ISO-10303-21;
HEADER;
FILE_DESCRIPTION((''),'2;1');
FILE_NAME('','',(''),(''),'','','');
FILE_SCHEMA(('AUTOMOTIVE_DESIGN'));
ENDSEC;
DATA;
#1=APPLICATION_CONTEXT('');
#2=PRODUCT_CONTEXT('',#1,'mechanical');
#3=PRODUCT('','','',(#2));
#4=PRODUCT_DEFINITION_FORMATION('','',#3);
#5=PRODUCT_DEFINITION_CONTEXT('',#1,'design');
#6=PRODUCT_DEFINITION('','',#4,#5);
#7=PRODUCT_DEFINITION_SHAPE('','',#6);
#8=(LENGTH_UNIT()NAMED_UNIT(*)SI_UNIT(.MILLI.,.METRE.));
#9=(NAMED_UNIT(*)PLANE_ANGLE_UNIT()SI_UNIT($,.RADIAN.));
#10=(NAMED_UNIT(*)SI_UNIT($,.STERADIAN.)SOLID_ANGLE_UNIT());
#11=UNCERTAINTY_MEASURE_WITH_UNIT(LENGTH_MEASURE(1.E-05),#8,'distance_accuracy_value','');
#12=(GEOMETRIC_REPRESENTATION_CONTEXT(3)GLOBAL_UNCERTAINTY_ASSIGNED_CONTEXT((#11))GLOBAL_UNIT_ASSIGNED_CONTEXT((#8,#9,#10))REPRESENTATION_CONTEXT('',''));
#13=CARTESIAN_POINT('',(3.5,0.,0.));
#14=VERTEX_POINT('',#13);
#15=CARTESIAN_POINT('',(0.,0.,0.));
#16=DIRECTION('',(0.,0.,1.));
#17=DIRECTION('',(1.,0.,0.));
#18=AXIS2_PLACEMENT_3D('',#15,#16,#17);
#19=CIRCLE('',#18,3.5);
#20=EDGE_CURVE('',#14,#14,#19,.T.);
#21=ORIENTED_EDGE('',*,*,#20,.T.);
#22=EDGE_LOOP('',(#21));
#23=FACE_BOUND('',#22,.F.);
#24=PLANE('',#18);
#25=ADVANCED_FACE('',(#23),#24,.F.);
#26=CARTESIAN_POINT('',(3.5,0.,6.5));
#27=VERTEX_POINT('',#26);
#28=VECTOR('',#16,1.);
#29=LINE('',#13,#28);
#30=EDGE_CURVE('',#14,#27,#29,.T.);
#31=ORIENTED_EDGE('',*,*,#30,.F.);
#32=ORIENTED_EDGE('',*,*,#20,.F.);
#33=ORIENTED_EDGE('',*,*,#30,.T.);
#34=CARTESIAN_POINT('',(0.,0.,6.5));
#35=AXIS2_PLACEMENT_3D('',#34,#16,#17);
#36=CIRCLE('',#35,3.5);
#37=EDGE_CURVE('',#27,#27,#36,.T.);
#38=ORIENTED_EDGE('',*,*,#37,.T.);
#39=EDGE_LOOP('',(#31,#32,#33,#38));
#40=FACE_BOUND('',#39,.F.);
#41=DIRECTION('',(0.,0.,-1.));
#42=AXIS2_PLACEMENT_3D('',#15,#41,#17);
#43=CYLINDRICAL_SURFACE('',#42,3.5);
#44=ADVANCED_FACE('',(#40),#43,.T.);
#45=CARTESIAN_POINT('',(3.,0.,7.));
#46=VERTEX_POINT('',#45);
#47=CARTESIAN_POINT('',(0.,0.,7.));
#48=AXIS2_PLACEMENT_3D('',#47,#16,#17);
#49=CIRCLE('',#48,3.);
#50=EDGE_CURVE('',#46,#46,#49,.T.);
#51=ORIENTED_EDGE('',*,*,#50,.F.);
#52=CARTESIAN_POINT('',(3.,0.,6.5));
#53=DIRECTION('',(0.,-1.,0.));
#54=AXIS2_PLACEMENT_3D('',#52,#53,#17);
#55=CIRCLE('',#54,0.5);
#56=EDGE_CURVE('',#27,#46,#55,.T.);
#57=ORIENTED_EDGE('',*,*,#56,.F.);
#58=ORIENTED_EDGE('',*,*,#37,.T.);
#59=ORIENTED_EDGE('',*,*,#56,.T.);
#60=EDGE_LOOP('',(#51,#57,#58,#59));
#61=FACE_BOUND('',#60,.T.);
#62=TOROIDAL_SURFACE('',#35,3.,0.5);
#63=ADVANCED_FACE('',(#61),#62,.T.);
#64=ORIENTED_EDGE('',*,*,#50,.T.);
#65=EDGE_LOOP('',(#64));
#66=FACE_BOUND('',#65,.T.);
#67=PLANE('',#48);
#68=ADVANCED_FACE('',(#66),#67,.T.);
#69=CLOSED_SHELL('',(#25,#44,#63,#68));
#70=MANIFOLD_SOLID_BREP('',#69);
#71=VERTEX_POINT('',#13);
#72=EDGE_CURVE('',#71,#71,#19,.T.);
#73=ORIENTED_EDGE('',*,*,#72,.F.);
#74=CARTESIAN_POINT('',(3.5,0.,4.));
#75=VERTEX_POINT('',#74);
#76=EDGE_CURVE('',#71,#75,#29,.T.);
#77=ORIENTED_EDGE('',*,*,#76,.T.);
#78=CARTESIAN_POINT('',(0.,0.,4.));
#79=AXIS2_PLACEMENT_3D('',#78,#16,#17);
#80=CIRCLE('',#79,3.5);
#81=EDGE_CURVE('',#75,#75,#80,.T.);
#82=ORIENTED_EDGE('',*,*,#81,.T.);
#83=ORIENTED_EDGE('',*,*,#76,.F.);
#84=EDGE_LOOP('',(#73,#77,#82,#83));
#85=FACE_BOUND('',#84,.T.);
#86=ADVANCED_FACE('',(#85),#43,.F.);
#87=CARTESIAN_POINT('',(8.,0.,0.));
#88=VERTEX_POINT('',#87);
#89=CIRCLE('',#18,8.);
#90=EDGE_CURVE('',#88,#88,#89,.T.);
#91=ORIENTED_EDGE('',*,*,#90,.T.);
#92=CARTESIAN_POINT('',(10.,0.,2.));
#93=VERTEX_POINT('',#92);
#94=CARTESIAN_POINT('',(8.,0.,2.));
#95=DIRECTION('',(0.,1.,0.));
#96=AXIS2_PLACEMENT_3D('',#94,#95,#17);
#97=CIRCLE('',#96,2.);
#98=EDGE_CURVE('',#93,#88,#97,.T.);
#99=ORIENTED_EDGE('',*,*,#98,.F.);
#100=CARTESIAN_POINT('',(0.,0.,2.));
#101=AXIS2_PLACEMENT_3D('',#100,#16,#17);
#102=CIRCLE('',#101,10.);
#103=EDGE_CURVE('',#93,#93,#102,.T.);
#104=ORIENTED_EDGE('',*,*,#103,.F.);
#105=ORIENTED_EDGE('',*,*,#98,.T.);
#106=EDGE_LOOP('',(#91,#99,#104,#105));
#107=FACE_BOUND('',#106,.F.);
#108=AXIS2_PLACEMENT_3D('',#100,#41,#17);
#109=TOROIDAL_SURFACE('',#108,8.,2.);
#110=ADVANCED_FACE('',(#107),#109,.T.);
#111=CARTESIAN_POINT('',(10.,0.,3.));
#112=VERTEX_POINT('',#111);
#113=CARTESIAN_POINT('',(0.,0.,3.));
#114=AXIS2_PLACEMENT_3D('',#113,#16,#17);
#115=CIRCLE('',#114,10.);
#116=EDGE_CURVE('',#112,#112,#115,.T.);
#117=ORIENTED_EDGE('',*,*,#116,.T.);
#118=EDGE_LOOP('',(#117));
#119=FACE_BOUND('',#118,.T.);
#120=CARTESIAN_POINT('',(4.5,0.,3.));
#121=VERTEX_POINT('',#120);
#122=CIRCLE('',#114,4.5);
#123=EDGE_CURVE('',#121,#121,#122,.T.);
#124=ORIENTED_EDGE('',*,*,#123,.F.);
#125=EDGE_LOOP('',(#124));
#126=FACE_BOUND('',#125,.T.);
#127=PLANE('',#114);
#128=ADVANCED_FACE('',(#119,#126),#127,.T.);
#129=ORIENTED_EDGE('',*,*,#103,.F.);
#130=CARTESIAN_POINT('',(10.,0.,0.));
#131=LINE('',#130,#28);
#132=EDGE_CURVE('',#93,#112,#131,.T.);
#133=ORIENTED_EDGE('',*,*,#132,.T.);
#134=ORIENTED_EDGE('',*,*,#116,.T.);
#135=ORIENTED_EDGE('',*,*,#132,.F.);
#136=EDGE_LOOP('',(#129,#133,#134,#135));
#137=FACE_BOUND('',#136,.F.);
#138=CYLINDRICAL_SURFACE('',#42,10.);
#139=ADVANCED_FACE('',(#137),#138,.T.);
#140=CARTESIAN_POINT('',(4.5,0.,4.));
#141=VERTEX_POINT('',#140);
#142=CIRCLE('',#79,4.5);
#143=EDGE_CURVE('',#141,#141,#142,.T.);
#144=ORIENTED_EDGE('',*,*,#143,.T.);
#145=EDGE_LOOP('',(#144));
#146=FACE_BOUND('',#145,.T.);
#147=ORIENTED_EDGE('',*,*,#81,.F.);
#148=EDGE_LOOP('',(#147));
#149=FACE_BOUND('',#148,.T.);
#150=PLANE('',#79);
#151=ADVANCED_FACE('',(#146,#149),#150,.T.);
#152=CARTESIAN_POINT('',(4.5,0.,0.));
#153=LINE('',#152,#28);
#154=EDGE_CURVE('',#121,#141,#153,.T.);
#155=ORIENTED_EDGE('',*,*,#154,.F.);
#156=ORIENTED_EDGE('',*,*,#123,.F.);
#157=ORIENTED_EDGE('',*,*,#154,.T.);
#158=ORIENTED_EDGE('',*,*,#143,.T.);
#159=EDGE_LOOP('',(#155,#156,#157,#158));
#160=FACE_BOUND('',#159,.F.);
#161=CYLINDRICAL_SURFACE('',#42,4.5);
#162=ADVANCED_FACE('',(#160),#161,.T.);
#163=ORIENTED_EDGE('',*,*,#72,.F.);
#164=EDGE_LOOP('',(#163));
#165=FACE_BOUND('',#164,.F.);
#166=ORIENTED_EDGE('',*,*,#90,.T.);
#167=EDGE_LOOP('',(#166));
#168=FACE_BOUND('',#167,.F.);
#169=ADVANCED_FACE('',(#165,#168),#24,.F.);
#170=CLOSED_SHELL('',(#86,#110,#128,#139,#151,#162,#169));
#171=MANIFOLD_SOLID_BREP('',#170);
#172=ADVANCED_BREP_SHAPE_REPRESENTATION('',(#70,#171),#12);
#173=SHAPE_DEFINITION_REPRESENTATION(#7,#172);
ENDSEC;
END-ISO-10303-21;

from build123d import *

# Parameters (mm, degrees)
F0_R     = 3.5
F1_DEPTH = 7
F0_R_2   = 4.5
F2_DEPTH = 4
F0_R_3   = 10
F3_DEPTH = 3
F4_R     = 2
F5_R     = 0.5


with BuildPart() as f1:
    # F0 (on Top) → F1 (new body)
    with BuildSketch(Plane.XY):
        Circle(F0_R)
    extrude(amount=F1_DEPTH)

    # F5
    f5_edges = [f1.edges().sort_by_distance(p)[0] for p in [
        (-3.5, 0, 7),
    ]]
    fillet(f5_edges, radius=F5_R)


with BuildPart() as f2:
    # F0 (on Top) → F2 (new body)
    with BuildSketch(Plane.XY):
        Circle(F0_R_2)
        Circle(F0_R, mode=Mode.SUBTRACT)
    extrude(amount=F2_DEPTH)

    # F0 (on Top) → F3 (join)
    with BuildSketch(Plane.XY):
        Circle(F0_R_3)
        Circle(F0_R_2, mode=Mode.SUBTRACT)
    extrude(amount=F3_DEPTH)

    # F4
    f4_edges = [f2.edges().sort_by_distance(p)[0] for p in [
        (-10, 0, 0),
    ]]
    fillet(f4_edges, radius=F4_R)


solid = Compound([f1.part, f2.part])
